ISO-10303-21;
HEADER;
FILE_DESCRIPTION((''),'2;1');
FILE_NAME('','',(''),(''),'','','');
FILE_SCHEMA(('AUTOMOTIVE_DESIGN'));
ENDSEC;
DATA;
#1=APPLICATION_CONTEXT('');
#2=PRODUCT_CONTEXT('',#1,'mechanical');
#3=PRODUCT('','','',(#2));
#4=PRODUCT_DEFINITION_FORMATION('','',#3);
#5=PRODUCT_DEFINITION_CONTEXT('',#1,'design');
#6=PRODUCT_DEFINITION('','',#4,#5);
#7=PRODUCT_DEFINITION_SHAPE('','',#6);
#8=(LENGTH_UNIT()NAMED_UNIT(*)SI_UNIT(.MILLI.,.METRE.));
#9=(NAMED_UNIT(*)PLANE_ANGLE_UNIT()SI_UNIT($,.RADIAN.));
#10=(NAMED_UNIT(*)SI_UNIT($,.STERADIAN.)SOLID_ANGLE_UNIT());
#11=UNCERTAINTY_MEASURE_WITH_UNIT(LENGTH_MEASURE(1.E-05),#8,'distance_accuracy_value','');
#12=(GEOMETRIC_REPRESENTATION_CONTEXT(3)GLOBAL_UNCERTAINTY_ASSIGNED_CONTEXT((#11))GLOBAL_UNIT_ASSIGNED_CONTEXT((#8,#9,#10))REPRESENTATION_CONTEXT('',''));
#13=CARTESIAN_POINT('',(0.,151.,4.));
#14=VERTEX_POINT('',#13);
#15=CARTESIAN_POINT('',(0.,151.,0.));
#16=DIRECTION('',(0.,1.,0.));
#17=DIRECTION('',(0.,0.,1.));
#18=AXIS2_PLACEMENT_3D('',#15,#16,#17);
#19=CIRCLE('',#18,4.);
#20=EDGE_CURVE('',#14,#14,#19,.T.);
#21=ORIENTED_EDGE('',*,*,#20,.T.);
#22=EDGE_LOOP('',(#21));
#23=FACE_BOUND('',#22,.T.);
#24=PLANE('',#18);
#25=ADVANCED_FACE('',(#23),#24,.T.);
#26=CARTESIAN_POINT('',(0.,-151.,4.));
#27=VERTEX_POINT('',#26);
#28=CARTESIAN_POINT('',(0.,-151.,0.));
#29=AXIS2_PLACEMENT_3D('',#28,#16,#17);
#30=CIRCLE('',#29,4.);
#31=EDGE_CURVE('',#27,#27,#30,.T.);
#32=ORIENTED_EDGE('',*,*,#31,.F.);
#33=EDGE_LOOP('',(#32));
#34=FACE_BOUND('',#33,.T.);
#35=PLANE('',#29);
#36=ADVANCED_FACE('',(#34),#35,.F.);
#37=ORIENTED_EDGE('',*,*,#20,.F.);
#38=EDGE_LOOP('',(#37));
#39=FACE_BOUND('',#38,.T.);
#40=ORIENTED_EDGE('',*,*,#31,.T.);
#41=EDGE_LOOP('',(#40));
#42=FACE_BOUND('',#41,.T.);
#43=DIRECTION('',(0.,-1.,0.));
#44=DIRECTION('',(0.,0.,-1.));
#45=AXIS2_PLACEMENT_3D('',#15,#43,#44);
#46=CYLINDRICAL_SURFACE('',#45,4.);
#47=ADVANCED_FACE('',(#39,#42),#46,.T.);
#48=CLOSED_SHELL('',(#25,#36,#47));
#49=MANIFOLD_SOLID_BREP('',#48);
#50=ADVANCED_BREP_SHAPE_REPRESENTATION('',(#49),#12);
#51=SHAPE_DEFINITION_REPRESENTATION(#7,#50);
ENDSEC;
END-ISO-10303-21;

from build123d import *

# Parameters (mm, degrees)
ESBO_O1_R                = 4
RESSALTO_EXTRUS_O1_DEPTH = 151


with BuildPart() as part:
    # Esboço1 → Ressalto-extrusão1 (new, symmetric)
    with BuildSketch(Plane(origin=(0, 0, 0), x_dir=(1, 0, 0), z_dir=(0, 1, 0))):
        with Locations(Location((0, 0, 0), (0, 0, 270))):
            Circle(ESBO_O1_R)
    extrude(amount=RESSALTO_EXTRUS_O1_DEPTH, both=True)


solid = part.part
